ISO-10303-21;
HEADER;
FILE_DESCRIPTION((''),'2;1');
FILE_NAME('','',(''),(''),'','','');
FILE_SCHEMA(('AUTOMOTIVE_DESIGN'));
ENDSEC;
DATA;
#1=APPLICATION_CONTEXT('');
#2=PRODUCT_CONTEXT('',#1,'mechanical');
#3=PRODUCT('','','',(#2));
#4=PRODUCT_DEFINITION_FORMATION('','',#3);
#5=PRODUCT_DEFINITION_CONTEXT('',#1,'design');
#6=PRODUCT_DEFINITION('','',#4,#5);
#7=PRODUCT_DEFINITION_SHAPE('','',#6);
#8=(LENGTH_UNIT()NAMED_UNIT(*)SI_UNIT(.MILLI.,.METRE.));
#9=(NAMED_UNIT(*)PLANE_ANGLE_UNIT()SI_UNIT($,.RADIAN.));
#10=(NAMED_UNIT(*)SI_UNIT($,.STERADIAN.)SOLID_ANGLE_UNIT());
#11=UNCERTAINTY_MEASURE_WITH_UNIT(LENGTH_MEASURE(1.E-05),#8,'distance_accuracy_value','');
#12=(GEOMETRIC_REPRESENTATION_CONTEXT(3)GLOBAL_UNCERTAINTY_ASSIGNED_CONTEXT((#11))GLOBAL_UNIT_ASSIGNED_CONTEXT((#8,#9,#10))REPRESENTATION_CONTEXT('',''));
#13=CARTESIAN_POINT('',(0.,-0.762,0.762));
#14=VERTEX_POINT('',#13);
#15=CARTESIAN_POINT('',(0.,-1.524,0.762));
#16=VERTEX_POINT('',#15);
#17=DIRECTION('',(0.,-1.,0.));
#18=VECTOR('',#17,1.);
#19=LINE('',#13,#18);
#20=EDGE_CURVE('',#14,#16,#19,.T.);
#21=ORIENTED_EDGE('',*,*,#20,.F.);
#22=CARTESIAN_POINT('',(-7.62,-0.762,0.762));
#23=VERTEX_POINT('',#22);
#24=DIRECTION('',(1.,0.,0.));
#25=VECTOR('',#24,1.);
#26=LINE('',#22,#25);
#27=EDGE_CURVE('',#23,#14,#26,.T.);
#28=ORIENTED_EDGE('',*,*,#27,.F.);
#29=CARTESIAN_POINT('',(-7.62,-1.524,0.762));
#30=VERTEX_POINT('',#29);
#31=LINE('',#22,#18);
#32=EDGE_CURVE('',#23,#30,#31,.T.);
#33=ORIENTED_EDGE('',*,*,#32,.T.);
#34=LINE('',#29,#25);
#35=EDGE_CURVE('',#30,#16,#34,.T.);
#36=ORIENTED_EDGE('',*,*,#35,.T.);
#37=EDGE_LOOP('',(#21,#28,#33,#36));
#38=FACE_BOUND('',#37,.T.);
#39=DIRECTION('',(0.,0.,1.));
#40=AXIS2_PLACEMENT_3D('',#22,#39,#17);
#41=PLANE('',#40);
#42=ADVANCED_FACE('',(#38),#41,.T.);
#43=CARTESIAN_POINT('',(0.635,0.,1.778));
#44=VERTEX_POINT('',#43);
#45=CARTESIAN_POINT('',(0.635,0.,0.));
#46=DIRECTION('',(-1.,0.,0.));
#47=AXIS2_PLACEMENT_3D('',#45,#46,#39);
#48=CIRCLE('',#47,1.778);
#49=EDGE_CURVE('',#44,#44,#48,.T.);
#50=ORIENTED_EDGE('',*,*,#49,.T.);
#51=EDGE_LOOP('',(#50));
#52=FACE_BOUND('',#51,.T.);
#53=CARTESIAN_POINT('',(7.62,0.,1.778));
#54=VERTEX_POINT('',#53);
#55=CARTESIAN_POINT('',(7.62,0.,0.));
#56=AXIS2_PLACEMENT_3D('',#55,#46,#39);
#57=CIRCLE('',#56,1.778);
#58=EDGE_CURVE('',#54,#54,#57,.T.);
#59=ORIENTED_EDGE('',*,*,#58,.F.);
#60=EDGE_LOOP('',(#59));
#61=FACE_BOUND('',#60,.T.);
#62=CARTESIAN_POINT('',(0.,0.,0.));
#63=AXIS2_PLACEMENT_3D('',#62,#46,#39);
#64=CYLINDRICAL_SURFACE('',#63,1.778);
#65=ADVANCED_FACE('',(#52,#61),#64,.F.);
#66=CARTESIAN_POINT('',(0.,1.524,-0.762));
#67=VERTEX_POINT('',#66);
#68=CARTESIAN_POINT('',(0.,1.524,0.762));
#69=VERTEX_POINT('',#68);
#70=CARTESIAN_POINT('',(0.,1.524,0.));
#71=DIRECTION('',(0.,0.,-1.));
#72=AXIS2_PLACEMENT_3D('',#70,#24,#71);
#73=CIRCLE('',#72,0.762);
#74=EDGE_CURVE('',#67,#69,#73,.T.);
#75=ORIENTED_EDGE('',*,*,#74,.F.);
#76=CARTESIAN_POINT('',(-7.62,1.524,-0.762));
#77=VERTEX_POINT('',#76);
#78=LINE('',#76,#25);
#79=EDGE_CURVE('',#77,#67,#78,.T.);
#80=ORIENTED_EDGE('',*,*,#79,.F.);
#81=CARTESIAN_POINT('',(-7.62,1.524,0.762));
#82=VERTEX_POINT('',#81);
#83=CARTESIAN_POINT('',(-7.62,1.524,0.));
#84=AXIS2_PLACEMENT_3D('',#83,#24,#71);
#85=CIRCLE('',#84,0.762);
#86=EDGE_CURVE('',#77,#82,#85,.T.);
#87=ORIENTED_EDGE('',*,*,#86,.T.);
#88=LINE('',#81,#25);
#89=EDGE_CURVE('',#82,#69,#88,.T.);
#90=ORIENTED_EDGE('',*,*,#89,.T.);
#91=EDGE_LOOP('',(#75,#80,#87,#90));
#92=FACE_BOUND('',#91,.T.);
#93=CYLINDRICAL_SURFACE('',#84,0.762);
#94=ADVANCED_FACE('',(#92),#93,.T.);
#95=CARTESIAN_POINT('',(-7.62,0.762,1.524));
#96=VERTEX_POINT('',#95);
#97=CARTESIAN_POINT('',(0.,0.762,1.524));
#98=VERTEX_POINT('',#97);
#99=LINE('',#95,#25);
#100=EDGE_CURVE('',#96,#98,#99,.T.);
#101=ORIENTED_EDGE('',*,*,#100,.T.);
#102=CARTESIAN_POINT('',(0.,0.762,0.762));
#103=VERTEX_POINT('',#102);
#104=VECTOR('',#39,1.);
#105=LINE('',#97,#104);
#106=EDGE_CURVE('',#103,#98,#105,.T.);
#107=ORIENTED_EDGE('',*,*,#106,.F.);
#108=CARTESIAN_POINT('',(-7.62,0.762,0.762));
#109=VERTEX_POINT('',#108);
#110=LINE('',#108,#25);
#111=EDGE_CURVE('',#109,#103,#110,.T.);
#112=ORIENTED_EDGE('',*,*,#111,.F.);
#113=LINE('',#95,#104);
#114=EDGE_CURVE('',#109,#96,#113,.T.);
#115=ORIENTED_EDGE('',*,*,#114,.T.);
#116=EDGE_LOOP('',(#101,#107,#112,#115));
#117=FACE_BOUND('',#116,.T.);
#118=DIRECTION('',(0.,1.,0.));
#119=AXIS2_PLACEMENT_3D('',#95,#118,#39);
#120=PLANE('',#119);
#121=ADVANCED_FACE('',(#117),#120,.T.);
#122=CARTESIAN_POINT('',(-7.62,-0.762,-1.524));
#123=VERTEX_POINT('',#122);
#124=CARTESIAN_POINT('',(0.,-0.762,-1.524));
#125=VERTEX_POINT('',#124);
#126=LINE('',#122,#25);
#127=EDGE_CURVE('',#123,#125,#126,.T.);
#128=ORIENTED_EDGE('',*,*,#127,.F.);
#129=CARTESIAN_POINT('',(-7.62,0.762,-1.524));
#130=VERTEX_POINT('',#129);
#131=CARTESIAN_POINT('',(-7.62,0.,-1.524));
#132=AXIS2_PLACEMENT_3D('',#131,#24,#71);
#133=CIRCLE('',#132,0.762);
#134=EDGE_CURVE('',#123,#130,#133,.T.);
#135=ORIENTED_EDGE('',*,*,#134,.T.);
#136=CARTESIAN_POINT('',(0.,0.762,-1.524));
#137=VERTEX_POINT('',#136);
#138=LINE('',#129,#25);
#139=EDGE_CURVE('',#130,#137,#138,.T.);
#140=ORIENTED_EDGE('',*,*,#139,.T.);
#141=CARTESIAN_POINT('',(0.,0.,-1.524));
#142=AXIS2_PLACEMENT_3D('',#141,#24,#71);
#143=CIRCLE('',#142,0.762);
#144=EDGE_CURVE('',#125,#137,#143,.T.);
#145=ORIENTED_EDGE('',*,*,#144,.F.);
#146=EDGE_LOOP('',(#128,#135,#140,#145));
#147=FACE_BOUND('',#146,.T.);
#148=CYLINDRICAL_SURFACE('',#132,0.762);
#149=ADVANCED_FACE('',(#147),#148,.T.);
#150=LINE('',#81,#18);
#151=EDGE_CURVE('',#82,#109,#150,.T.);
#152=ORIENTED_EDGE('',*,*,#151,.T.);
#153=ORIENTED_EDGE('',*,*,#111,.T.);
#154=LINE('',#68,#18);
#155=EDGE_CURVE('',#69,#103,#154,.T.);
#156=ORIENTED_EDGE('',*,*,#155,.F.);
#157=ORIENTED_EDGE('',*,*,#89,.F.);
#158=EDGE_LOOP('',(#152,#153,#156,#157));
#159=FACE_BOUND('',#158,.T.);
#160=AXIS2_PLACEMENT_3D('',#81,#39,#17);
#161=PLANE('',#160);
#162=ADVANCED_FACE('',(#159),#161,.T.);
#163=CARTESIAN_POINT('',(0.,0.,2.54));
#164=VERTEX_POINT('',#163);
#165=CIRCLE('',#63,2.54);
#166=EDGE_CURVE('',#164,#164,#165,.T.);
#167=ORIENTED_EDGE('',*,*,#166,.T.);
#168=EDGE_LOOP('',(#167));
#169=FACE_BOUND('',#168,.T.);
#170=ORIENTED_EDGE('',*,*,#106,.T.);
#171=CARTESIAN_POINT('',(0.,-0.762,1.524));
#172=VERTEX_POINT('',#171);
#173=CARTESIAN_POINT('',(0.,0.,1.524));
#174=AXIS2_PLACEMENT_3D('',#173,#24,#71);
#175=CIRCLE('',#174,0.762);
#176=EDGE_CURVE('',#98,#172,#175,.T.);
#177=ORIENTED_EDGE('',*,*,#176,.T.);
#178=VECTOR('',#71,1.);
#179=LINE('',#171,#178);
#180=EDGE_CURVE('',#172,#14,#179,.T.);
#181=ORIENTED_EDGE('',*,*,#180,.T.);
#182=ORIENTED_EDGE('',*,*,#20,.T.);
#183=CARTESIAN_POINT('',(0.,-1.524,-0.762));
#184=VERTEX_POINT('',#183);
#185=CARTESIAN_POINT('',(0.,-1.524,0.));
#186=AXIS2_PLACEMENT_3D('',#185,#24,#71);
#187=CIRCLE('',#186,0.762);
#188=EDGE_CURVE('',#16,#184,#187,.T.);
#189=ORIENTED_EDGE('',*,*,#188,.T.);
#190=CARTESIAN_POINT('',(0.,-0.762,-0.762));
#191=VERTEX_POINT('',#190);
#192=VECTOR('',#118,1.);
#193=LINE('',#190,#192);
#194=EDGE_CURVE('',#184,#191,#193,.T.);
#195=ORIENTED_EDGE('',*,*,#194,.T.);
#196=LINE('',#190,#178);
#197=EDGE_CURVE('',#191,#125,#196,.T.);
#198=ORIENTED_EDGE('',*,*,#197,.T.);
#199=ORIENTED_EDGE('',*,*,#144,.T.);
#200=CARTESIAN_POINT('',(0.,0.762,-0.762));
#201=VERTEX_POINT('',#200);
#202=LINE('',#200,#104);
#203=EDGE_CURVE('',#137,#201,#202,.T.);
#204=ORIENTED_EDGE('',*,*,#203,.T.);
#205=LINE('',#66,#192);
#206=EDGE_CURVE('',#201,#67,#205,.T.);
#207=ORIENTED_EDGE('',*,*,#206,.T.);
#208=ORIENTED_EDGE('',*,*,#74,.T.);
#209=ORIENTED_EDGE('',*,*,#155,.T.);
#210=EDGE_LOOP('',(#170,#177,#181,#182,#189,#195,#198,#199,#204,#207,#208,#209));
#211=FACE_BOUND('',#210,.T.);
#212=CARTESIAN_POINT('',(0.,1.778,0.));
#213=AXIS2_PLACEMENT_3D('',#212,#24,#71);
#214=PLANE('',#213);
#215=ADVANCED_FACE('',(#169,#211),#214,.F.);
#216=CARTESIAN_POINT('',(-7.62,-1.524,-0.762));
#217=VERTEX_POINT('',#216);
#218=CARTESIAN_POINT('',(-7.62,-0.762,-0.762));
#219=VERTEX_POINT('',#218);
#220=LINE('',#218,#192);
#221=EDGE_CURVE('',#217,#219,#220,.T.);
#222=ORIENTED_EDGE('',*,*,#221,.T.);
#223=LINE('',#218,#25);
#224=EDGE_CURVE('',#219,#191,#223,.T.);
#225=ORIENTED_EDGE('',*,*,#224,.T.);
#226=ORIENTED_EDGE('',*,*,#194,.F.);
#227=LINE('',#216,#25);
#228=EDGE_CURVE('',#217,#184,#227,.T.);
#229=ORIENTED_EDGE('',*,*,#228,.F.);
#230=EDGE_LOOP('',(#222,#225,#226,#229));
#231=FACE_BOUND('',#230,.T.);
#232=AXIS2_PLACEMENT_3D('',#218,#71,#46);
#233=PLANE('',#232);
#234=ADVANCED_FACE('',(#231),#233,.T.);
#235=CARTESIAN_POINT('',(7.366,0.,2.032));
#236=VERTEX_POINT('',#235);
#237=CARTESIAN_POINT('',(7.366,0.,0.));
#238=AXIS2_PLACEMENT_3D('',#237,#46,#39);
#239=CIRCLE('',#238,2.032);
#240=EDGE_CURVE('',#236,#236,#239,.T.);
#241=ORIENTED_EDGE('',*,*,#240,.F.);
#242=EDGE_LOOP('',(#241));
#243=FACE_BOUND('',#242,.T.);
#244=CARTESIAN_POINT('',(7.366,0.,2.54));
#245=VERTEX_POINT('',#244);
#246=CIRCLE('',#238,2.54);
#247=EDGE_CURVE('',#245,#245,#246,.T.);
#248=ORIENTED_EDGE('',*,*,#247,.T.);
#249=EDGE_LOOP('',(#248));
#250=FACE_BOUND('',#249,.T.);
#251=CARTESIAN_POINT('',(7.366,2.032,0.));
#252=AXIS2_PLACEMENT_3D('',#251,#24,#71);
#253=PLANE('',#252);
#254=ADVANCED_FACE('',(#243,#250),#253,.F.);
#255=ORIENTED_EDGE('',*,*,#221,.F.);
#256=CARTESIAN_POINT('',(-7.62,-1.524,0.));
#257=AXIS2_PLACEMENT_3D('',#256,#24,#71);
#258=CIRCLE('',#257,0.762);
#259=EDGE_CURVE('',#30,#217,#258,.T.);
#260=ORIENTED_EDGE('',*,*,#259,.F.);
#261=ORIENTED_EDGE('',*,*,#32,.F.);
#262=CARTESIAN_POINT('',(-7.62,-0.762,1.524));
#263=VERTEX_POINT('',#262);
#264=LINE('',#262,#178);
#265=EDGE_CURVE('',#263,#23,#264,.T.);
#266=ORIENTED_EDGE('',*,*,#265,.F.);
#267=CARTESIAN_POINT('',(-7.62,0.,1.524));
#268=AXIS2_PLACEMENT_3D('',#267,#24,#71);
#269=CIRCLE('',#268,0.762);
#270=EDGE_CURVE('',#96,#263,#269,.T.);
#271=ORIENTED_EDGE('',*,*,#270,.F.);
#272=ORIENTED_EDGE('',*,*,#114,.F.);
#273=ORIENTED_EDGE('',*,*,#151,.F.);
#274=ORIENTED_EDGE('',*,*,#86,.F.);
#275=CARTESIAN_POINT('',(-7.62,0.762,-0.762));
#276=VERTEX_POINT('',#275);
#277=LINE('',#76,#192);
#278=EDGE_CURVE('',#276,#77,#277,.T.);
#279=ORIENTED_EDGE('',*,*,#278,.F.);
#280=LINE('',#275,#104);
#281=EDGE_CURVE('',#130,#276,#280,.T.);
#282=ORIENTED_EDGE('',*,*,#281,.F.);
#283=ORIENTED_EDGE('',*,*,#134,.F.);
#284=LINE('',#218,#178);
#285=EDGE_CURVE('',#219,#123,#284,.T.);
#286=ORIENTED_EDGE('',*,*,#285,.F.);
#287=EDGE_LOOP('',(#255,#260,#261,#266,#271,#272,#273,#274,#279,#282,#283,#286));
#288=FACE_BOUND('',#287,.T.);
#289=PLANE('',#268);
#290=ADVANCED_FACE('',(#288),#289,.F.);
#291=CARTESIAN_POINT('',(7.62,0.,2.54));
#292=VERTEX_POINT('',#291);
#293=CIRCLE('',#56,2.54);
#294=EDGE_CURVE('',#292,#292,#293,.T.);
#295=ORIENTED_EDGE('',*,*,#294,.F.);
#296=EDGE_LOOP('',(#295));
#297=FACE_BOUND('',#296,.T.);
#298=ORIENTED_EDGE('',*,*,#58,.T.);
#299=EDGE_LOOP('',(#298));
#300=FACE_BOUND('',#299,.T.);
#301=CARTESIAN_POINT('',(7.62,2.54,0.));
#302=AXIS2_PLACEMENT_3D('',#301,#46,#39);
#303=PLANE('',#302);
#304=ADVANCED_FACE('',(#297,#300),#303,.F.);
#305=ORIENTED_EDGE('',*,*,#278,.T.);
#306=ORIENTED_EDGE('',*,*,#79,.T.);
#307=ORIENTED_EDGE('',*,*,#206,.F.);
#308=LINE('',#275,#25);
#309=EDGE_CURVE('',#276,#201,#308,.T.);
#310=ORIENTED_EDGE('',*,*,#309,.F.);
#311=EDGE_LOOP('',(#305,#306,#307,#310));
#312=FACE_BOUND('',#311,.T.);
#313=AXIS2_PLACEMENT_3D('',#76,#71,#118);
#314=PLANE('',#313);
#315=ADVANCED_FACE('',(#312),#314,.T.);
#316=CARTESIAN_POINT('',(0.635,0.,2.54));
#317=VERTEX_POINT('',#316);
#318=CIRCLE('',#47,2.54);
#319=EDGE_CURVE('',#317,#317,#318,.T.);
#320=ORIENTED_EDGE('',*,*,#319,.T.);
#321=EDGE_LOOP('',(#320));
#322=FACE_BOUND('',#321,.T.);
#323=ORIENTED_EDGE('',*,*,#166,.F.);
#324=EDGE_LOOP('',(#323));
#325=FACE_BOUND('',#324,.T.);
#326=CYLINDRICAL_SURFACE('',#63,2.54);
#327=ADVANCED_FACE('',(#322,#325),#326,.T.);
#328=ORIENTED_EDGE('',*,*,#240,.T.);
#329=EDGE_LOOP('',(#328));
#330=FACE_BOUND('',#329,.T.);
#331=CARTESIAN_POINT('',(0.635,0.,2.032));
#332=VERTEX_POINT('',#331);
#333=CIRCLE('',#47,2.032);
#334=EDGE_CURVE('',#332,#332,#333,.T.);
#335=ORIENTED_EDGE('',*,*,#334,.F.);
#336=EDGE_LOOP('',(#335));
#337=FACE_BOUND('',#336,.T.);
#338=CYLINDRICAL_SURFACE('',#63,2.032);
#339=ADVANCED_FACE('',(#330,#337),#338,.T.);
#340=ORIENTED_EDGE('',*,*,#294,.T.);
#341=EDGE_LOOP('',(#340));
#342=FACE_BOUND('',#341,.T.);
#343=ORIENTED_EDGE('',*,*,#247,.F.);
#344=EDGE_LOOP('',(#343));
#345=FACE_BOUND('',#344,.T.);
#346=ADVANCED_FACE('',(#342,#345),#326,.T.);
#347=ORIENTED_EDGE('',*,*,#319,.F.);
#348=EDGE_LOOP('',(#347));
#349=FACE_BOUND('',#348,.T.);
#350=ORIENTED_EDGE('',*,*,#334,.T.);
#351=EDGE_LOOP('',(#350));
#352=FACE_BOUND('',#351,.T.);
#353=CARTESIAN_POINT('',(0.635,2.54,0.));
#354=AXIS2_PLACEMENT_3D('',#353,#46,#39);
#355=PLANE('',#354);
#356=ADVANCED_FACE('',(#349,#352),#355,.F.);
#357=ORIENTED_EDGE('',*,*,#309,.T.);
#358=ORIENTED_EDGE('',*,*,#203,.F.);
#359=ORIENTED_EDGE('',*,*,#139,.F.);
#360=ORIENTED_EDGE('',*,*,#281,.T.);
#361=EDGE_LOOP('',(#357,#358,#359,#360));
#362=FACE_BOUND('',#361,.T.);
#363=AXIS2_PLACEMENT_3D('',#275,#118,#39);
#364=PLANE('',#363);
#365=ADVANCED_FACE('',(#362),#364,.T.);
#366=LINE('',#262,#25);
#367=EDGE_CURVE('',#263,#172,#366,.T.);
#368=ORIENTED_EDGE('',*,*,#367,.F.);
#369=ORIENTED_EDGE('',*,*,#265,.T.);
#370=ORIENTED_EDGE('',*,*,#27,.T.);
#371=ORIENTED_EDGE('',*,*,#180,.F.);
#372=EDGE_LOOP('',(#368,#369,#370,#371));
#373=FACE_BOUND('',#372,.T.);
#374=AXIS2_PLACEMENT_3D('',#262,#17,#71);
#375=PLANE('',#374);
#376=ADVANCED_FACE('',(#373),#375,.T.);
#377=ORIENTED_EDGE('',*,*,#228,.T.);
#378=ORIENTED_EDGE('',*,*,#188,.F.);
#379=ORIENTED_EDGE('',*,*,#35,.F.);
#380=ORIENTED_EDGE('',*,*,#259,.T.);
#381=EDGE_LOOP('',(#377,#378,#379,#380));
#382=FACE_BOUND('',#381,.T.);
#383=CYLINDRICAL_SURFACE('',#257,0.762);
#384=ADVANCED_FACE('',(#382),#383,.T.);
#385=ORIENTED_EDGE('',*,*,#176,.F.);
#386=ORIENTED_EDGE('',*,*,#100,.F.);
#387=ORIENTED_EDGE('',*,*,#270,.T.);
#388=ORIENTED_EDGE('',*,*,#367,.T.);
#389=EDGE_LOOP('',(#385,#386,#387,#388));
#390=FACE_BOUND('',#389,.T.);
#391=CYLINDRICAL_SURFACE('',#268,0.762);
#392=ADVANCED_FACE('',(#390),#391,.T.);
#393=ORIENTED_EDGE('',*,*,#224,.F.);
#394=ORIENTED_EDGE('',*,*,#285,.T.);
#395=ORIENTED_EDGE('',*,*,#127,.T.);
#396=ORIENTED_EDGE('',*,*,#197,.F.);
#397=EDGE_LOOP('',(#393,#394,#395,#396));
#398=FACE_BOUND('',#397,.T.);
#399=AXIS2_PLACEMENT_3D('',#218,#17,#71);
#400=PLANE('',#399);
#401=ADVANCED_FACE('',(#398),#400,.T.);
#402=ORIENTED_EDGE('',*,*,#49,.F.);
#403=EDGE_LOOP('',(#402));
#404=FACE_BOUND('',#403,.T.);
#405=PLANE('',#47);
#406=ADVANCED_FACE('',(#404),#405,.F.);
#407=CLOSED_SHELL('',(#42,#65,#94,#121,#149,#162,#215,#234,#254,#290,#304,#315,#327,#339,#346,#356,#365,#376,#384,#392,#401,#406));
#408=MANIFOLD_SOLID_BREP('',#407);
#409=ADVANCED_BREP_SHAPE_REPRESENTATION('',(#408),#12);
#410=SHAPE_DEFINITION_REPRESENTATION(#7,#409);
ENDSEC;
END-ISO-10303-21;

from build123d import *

# Parameters (mm, degrees)
BOSS_EXTRUDE1_DEPTH = 7.62


with BuildPart() as part:
    # Sketch1 → Revolve1 (revolve)
    with BuildSketch(Plane.XY):
        Polygon((0, 1.778), (0, 2.54), (0.635, 2.54), (0.635, 2.032), (7.366, 2.032), (7.366, 2.54), (7.62, 2.54), (7.62, 1.778), (0.635, 1.778), (0.635, 0), (0, 0), align=None)
    revolve(axis=Axis((0, 0, 0), (1, 0, 0)))

    # Sketch3 → Boss-Extrude1 (add)
    with BuildSketch(Plane(origin=(0, 0, 0), x_dir=(0, 0, -1), z_dir=(1, 0, 0))):
        with BuildLine():
            Line((-1.524, 0.762), (-0.762, 0.762))
            Line((-0.762, 0.762), (-0.762, 1.524))
            ThreePointArc((-0.762, 1.524), (0, 2.286), (0.762, 1.524))
            Line((0.762, 1.524), (0.762, 0.762))
            Line((0.762, 0.762), (1.524, 0.762))
            ThreePointArc((1.524, 0.762), (2.286, 0), (1.524, -0.762))
            Line((1.524, -0.762), (0.762, -0.762))
            Line((0.762, -0.762), (0.762, -1.524))
            ThreePointArc((0.762, -1.524), (0, -2.286), (-0.762, -1.524))
            Line((-0.762, -1.524), (-0.762, -0.762))
            Line((-0.762, -0.762), (-1.524, -0.762))
            ThreePointArc((-1.524, -0.762), (-2.286, 0), (-1.524, 0.762))
        make_face()
    extrude(amount=-BOSS_EXTRUDE1_DEPTH)


solid = part.part
